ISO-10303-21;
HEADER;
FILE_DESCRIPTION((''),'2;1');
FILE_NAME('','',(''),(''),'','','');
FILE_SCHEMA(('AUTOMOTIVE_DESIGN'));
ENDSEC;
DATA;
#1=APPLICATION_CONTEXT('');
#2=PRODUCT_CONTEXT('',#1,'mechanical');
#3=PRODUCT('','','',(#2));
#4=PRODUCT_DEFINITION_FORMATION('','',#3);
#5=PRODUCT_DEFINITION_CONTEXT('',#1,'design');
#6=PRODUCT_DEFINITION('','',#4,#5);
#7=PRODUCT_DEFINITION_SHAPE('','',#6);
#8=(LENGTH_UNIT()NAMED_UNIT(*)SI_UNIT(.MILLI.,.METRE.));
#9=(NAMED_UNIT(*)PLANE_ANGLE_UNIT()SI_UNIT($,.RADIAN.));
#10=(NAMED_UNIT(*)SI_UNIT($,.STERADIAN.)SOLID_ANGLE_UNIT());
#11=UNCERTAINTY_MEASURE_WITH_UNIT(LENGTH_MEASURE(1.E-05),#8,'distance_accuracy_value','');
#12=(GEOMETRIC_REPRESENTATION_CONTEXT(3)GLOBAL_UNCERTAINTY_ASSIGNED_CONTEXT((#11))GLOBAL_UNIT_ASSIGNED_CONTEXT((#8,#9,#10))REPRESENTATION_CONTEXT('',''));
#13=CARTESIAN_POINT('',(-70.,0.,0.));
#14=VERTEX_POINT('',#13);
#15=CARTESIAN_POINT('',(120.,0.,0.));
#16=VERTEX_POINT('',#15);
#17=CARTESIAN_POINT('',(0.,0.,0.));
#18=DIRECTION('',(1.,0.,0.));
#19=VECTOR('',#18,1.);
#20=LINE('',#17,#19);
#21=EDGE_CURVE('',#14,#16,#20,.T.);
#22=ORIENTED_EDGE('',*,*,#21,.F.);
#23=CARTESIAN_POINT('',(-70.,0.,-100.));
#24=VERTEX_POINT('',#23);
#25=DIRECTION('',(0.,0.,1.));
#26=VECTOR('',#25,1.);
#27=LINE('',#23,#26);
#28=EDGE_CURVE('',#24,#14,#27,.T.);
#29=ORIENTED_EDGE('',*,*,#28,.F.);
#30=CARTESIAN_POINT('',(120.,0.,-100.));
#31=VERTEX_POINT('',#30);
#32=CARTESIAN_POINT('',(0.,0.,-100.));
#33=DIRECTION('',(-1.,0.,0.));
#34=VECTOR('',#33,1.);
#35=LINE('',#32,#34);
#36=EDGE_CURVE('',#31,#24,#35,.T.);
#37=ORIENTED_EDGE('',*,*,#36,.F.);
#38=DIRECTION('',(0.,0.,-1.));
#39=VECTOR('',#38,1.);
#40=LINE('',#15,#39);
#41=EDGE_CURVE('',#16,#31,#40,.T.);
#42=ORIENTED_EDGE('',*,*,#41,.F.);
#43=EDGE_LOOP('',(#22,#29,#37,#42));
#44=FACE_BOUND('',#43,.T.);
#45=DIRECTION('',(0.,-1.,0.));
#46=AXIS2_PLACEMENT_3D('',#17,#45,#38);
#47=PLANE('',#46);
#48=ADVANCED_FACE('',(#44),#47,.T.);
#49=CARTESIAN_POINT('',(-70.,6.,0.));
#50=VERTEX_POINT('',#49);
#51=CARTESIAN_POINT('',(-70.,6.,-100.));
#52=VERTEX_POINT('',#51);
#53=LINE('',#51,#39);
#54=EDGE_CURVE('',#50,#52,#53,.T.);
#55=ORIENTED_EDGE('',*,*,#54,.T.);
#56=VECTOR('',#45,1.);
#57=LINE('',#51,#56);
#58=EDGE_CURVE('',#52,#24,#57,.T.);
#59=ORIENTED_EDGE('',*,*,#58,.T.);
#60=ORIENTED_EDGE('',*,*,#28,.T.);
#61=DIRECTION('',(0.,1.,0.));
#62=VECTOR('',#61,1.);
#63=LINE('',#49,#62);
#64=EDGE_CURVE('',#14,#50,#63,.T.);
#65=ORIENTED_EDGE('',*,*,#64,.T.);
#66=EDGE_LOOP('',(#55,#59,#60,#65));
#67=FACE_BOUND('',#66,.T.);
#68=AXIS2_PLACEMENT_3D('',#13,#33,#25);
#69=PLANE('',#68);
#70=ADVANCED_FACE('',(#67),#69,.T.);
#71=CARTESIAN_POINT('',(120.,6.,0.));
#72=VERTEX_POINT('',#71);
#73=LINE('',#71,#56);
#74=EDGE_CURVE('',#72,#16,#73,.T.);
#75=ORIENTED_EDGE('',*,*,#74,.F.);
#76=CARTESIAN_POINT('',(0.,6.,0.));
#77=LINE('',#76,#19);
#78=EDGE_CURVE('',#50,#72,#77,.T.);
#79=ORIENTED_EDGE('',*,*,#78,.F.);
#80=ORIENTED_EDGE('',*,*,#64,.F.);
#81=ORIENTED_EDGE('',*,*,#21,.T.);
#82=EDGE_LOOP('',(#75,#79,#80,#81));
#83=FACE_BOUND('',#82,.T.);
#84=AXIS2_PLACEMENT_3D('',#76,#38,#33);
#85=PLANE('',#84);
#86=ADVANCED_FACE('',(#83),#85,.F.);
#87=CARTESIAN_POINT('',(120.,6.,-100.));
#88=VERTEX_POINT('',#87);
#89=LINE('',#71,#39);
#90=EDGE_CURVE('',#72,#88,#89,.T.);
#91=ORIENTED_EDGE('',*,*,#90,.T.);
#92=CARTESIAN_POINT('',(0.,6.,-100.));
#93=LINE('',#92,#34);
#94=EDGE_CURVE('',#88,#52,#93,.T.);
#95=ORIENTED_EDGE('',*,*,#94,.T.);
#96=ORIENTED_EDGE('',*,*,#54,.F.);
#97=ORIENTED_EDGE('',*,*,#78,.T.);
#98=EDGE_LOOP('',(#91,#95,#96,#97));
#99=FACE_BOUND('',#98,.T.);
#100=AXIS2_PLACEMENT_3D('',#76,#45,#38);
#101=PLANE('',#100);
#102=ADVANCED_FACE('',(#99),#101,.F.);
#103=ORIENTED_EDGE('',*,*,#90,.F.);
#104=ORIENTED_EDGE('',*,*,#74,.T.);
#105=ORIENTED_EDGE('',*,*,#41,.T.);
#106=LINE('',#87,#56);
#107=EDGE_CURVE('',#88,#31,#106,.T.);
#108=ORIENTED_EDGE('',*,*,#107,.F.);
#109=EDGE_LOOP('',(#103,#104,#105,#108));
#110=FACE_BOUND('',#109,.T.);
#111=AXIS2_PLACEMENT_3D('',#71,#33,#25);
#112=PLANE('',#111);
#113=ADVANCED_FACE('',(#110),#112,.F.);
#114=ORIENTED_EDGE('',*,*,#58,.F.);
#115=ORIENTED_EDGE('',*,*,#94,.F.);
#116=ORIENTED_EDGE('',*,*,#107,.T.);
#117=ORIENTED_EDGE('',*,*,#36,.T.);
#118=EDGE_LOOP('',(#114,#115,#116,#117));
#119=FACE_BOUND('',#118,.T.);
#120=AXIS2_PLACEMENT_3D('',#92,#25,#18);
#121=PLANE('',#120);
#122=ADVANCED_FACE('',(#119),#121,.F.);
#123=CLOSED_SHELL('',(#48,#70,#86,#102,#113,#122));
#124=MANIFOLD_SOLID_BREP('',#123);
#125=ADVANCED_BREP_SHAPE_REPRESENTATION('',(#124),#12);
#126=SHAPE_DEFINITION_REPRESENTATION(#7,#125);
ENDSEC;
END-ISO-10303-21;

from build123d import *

# Parameters (mm, degrees)
ESBO_O2_W                = 120
ESBO_O2_H                = 100
RESSALTO_EXTRUS_O1_DEPTH = 6
ESBO_O3_W                = 100
ESBO_O3_H                = 6
RESSALTO_EXTRUS_O3_DEPTH = 70


with BuildPart() as part:
    # Esboço2 → Ressalto-extrusão1 (new body)
    with BuildSketch(Plane(origin=(0, 0, 0), x_dir=(1, 0, 0), z_dir=(0, 1, 0))):
        with Locations((60, 50)):
            Rectangle(ESBO_O2_W, ESBO_O2_H)
    extrude(amount=RESSALTO_EXTRUS_O1_DEPTH)

    # Esboço3 → Ressalto-extrusão3 (add)
    with BuildSketch(Plane.ZY):
        with Locations((-50, 3)):
            Rectangle(ESBO_O3_W, ESBO_O3_H)
    extrude(amount=RESSALTO_EXTRUS_O3_DEPTH)


solid = part.part
